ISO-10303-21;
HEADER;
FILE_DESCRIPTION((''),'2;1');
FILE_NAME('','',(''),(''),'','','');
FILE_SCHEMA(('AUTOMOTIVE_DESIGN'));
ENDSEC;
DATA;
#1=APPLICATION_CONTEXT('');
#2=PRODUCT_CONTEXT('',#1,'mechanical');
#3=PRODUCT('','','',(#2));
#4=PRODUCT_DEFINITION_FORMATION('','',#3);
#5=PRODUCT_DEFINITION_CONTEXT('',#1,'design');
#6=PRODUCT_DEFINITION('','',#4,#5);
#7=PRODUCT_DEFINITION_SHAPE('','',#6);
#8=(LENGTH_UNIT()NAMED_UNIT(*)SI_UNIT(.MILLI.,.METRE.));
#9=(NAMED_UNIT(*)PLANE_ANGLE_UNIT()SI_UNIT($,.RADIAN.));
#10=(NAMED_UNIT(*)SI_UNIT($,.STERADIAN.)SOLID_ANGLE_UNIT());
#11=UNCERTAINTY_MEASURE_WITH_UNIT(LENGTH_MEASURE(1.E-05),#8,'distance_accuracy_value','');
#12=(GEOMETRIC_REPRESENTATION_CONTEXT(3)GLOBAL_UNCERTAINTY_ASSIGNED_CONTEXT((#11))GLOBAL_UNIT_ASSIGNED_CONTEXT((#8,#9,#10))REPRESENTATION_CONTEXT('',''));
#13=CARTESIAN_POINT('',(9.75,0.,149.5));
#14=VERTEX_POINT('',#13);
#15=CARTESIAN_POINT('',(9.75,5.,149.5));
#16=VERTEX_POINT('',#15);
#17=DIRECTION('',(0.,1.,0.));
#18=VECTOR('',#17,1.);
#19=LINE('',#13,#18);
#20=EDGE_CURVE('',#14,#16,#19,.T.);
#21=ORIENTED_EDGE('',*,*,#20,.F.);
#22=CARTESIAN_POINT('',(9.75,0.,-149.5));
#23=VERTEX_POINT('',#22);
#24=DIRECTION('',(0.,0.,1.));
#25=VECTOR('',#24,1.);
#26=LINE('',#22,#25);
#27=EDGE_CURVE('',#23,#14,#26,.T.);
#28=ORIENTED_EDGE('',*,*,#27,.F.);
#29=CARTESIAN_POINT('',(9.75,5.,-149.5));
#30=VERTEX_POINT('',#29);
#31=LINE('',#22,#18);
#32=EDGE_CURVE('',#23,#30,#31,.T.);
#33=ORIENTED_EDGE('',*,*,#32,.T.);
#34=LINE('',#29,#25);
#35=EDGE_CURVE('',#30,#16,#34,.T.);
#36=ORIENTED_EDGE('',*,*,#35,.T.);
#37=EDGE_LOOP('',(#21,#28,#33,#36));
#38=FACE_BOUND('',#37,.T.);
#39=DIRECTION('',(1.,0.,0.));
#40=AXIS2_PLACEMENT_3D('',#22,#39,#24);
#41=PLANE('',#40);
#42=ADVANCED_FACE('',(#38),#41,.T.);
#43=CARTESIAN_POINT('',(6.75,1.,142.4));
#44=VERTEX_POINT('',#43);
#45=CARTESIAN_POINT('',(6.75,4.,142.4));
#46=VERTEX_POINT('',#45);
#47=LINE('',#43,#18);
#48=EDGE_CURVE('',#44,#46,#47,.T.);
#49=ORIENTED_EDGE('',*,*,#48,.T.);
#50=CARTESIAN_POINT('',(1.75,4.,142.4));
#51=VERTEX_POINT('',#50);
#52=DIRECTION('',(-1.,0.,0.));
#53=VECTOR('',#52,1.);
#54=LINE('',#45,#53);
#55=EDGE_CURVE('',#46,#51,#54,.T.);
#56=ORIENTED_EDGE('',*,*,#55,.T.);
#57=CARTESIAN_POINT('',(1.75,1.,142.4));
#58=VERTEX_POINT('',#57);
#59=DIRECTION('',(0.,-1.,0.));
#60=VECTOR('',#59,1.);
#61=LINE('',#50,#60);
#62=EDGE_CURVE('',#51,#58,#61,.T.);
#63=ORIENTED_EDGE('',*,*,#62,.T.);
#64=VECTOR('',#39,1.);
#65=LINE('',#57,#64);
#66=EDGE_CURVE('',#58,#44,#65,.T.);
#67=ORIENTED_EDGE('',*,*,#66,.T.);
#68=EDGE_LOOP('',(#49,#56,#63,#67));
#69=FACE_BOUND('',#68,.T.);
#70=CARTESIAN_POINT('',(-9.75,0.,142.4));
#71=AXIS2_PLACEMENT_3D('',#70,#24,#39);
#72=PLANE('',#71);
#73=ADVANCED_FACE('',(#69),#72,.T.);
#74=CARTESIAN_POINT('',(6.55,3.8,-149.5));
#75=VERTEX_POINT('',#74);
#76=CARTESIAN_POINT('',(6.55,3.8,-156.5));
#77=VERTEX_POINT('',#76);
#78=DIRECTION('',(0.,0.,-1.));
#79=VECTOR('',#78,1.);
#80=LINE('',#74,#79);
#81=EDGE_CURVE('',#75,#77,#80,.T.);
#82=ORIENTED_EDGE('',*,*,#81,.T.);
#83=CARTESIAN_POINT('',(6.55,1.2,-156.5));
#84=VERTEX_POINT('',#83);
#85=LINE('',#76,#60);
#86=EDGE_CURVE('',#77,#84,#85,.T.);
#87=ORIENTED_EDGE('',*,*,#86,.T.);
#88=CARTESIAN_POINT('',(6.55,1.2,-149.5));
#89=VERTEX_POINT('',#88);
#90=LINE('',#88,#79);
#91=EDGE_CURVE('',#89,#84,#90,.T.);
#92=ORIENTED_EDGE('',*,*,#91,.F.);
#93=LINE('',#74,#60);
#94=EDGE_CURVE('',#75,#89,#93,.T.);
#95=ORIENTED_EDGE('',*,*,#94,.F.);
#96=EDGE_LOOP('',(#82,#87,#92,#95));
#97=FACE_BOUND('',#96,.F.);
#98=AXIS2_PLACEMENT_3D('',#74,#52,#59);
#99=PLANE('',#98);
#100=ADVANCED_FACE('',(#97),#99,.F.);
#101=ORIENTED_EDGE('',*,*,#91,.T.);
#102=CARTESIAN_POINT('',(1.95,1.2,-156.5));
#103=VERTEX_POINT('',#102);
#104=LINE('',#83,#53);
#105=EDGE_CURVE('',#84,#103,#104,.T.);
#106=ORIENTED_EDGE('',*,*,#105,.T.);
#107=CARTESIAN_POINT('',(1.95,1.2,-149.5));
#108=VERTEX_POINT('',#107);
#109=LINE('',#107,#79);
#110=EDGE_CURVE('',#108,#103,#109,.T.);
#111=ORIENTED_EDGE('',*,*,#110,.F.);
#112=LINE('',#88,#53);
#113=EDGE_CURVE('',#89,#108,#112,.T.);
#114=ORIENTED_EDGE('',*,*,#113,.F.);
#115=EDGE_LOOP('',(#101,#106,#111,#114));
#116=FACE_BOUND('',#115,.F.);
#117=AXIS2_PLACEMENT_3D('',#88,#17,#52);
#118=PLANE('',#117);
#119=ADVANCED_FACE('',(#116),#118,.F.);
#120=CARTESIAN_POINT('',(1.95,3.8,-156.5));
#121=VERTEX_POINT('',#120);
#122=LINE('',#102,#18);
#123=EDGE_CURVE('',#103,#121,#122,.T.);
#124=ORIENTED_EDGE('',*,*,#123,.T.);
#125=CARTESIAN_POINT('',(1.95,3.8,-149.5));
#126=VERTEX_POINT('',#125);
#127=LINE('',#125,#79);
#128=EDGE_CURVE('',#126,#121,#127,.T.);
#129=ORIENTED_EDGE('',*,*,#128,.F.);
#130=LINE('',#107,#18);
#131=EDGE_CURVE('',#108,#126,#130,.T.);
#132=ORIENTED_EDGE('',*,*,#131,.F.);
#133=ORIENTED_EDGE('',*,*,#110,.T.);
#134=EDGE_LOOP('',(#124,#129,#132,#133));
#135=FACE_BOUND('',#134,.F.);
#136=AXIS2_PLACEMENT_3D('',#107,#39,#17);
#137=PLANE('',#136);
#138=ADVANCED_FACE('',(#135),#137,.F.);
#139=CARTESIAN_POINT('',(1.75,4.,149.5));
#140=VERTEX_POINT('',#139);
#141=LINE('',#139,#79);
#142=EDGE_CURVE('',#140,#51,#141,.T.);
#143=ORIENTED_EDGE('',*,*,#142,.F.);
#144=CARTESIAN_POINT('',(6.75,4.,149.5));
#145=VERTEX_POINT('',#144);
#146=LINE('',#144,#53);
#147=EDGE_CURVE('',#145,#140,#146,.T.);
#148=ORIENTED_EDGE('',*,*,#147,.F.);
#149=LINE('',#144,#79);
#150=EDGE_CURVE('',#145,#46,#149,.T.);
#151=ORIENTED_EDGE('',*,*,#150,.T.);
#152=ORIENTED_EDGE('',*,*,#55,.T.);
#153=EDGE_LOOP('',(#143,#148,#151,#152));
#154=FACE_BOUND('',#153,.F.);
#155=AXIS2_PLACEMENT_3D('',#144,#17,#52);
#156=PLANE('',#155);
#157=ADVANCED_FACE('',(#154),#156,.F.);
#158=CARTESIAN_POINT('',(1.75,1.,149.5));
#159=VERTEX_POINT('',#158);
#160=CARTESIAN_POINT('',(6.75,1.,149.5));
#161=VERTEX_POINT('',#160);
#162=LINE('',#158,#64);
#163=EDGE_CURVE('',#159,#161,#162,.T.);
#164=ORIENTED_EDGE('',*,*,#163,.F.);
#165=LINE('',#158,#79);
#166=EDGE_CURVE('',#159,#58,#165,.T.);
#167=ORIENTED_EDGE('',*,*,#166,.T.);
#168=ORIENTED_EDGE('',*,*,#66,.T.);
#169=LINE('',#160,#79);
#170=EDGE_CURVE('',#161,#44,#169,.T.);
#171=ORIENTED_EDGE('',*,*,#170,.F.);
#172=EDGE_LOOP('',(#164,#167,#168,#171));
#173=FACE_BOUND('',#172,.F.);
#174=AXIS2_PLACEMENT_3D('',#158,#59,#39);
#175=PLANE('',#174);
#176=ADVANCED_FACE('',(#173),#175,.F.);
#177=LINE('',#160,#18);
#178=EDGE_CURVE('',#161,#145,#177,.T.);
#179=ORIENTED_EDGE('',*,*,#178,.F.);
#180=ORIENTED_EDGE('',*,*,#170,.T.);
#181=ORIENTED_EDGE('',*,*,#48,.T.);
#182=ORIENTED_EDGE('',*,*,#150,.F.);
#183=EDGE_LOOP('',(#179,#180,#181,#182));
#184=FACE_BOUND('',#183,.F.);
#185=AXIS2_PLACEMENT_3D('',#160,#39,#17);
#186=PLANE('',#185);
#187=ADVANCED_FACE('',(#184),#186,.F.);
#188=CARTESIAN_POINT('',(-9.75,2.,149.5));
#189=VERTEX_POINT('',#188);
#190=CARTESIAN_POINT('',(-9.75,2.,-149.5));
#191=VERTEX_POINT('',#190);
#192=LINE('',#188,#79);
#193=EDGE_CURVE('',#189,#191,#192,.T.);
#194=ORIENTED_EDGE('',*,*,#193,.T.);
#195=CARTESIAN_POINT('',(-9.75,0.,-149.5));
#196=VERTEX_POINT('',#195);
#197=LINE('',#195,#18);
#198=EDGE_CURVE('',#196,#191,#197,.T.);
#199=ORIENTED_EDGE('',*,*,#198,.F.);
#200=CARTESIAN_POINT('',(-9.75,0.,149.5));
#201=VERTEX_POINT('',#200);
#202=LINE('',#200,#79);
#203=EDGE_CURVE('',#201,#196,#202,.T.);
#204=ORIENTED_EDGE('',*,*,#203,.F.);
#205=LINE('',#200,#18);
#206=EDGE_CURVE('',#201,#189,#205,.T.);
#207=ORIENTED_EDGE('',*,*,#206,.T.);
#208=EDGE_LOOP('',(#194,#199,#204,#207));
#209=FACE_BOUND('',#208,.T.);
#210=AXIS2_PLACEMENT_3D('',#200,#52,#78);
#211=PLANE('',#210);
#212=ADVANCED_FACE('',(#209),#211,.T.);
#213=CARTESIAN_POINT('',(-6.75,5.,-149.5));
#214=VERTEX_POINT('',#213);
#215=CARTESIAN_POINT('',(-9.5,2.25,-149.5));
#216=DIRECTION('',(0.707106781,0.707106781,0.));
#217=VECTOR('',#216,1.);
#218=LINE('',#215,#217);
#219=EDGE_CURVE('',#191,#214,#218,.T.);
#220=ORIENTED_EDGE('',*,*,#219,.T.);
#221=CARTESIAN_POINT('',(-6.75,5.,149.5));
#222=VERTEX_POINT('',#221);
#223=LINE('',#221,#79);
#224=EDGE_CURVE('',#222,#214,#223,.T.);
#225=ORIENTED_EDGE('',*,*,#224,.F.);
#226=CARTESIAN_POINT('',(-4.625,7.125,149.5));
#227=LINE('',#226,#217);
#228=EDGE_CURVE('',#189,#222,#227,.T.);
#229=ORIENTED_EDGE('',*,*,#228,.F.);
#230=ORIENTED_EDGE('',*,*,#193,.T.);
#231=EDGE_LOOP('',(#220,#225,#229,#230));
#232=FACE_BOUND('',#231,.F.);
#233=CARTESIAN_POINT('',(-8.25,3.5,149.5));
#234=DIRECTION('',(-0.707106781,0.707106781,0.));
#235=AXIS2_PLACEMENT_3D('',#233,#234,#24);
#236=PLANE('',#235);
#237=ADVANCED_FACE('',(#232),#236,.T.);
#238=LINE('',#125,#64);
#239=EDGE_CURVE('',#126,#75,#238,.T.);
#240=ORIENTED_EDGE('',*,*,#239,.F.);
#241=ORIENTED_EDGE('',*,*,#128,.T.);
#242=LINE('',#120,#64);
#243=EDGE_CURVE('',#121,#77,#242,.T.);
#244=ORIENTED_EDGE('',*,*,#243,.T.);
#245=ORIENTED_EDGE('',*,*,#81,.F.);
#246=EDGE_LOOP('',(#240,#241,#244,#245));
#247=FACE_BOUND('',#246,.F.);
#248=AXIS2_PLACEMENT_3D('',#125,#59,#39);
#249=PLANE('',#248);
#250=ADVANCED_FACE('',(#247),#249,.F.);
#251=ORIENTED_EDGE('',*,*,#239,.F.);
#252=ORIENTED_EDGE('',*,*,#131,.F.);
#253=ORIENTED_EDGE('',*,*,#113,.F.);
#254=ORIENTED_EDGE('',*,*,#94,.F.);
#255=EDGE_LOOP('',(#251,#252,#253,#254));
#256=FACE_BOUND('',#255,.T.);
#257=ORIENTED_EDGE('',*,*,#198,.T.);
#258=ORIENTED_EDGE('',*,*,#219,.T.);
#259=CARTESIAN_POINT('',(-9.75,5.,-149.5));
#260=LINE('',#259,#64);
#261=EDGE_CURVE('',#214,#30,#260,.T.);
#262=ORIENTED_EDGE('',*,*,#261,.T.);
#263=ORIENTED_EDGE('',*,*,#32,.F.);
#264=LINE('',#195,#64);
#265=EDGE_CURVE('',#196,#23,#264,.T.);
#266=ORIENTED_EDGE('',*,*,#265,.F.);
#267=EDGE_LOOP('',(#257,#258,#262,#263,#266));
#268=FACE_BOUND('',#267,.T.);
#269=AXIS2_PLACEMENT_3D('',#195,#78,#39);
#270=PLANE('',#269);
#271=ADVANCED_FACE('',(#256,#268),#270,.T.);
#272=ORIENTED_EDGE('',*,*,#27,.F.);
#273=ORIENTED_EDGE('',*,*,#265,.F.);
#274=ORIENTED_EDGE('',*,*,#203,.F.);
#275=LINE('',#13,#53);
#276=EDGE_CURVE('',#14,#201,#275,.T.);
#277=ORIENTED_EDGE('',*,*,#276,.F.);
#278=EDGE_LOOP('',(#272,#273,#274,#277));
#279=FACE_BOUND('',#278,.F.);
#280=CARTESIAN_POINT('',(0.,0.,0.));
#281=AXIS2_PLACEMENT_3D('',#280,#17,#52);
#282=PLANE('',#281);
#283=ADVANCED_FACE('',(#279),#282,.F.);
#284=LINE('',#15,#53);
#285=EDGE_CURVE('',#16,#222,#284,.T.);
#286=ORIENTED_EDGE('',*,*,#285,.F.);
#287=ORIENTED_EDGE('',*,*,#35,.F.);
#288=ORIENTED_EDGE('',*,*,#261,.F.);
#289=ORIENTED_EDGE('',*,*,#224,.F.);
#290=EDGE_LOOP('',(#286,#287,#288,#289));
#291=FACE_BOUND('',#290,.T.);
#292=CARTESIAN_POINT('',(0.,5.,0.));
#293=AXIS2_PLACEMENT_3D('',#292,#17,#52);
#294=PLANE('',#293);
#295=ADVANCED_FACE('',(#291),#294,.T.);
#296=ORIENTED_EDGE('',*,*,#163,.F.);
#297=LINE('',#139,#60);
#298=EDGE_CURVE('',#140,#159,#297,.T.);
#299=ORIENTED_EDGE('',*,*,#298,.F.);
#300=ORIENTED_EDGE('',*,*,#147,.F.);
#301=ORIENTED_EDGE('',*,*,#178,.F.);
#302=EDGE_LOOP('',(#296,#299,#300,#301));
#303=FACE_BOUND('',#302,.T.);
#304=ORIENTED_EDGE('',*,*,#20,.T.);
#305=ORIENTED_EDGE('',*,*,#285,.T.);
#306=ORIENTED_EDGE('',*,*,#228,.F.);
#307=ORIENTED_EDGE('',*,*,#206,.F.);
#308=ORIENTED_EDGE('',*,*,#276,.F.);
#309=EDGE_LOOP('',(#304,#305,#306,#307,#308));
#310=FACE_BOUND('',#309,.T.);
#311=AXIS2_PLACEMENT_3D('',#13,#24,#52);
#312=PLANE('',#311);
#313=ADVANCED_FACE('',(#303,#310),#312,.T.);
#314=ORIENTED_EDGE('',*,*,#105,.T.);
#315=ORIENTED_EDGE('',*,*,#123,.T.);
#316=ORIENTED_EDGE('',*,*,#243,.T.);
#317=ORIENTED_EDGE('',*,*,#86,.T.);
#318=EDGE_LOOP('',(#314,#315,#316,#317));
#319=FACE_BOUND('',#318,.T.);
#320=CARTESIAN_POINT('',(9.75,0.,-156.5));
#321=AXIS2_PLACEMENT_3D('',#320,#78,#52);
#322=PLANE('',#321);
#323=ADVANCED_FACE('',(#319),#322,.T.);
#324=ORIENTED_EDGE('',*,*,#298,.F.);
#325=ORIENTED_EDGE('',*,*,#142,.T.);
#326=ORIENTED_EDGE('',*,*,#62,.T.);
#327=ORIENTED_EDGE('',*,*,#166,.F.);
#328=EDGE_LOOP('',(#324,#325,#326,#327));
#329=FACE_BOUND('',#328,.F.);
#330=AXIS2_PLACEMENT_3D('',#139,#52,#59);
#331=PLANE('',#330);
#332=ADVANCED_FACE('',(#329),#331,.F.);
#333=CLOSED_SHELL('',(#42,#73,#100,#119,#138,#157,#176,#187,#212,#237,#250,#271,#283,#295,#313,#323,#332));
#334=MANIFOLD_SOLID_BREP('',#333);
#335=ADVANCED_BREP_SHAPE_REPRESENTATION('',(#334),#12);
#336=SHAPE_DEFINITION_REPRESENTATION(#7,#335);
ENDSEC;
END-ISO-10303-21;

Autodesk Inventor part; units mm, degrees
ref_plane "YZ Plane" through (0, 0, 0) normal (1, 0, 0) x (0, 1, 0)
ref_plane "XZ Plane" through (0, 0, 0) normal (0, 1, 0) x (-1, 0, 0)
ref_plane "XY Plane" through (0, 0, 0) normal (0, 0, 1) x (1, 0, 0)
sketch "Sketch1" plane through (0, 0, 0) normal (0, 1, 0) x (-1, 0, 0)
  line L0 (-9.75, 149.5) -> (9.75, 149.5)
  line L1 (9.75, 149.5) -> (9.75, -149.5)
  line L2 (9.75, -149.5) -> (-9.75, -149.5)
  line L3 (-9.75, -149.5) -> (-9.75, 149.5)
  line L4 (-9.75, 149.5) -> (9.75, -149.5) construction
  line L5 (9.75, 149.5) -> (-9.75, -149.5) construction
  point P0 (0, 0)
  dimension "d0" = 19.5
  dimension "d1" = 299
extrude "Extrusion1" add sketch "Sketch1" along normal blind 5
chamfer "Chamfer1" distance 3 angle 45 1 edges at (-9.75, 5, 0)
sketch "Sketch2" plane through (-9.75, 0, 149.5) normal (0, 0, 1) x (1, 0, 0)
  line L0 (0, 2) -> (3, 5) projected
  line L1 (0, 0) -> (0, 2) projected
  line L2 (0, 0) -> (19.5, 0) projected
  line L3 (19.5, 0) -> (19.5, 5) projected
  line L4 (3, 5) -> (19.5, 5) projected
  line L5 (16.5, 4) -> (11.5, 4)
  line L6 (11.5, 4) -> (11.5, 1)
  line L7 (11.5, 1) -> (16.5, 1)
  line L8 (16.5, 1) -> (16.5, 4)
  line L9 (16.5, 4) -> (11.5, 1) construction
  line L10 (11.5, 4) -> (16.5, 1) construction
  point P0 (9.75, 0)
  point P1 (14, 2.5)
  point P2 (19.5, 2.5)
  dimension "d7" = 5
  dimension "d8" = 3
  dimension "d9" = 3
extrude "Extrusion2" cut sketch "Sketch2" against normal blind 7.1 contours L8 L7 L6 L5
sketch "Sketch3" plane through (9.75, 0, -149.5) normal (0, 0, -1) x (-1, 0, 0)
  line L0 (8, 1) -> (8, 4) projected
  line L1 (3, 1) -> (8, 1) projected
  line L2 (3, 4) -> (3, 1) projected
  line L3 (8, 4) -> (3, 4) projected
  line L4 (7.8, 1.2) -> (7.8, 3.8)
  line L5 (7.8, 3.8) -> (3.2, 3.8)
  line L6 (3.2, 3.8) -> (3.2, 1.2)
  line L7 (3.2, 1.2) -> (7.8, 1.2)
  point P0 (9.75, 0)
  dimension "d12" = 0.2
extrude "Extrusion3" add sketch "Sketch3" along normal blind 7 contours L7 L6 L5 L4
properties part number "SEPARADOR" material "Steel, Mild, Welded"
